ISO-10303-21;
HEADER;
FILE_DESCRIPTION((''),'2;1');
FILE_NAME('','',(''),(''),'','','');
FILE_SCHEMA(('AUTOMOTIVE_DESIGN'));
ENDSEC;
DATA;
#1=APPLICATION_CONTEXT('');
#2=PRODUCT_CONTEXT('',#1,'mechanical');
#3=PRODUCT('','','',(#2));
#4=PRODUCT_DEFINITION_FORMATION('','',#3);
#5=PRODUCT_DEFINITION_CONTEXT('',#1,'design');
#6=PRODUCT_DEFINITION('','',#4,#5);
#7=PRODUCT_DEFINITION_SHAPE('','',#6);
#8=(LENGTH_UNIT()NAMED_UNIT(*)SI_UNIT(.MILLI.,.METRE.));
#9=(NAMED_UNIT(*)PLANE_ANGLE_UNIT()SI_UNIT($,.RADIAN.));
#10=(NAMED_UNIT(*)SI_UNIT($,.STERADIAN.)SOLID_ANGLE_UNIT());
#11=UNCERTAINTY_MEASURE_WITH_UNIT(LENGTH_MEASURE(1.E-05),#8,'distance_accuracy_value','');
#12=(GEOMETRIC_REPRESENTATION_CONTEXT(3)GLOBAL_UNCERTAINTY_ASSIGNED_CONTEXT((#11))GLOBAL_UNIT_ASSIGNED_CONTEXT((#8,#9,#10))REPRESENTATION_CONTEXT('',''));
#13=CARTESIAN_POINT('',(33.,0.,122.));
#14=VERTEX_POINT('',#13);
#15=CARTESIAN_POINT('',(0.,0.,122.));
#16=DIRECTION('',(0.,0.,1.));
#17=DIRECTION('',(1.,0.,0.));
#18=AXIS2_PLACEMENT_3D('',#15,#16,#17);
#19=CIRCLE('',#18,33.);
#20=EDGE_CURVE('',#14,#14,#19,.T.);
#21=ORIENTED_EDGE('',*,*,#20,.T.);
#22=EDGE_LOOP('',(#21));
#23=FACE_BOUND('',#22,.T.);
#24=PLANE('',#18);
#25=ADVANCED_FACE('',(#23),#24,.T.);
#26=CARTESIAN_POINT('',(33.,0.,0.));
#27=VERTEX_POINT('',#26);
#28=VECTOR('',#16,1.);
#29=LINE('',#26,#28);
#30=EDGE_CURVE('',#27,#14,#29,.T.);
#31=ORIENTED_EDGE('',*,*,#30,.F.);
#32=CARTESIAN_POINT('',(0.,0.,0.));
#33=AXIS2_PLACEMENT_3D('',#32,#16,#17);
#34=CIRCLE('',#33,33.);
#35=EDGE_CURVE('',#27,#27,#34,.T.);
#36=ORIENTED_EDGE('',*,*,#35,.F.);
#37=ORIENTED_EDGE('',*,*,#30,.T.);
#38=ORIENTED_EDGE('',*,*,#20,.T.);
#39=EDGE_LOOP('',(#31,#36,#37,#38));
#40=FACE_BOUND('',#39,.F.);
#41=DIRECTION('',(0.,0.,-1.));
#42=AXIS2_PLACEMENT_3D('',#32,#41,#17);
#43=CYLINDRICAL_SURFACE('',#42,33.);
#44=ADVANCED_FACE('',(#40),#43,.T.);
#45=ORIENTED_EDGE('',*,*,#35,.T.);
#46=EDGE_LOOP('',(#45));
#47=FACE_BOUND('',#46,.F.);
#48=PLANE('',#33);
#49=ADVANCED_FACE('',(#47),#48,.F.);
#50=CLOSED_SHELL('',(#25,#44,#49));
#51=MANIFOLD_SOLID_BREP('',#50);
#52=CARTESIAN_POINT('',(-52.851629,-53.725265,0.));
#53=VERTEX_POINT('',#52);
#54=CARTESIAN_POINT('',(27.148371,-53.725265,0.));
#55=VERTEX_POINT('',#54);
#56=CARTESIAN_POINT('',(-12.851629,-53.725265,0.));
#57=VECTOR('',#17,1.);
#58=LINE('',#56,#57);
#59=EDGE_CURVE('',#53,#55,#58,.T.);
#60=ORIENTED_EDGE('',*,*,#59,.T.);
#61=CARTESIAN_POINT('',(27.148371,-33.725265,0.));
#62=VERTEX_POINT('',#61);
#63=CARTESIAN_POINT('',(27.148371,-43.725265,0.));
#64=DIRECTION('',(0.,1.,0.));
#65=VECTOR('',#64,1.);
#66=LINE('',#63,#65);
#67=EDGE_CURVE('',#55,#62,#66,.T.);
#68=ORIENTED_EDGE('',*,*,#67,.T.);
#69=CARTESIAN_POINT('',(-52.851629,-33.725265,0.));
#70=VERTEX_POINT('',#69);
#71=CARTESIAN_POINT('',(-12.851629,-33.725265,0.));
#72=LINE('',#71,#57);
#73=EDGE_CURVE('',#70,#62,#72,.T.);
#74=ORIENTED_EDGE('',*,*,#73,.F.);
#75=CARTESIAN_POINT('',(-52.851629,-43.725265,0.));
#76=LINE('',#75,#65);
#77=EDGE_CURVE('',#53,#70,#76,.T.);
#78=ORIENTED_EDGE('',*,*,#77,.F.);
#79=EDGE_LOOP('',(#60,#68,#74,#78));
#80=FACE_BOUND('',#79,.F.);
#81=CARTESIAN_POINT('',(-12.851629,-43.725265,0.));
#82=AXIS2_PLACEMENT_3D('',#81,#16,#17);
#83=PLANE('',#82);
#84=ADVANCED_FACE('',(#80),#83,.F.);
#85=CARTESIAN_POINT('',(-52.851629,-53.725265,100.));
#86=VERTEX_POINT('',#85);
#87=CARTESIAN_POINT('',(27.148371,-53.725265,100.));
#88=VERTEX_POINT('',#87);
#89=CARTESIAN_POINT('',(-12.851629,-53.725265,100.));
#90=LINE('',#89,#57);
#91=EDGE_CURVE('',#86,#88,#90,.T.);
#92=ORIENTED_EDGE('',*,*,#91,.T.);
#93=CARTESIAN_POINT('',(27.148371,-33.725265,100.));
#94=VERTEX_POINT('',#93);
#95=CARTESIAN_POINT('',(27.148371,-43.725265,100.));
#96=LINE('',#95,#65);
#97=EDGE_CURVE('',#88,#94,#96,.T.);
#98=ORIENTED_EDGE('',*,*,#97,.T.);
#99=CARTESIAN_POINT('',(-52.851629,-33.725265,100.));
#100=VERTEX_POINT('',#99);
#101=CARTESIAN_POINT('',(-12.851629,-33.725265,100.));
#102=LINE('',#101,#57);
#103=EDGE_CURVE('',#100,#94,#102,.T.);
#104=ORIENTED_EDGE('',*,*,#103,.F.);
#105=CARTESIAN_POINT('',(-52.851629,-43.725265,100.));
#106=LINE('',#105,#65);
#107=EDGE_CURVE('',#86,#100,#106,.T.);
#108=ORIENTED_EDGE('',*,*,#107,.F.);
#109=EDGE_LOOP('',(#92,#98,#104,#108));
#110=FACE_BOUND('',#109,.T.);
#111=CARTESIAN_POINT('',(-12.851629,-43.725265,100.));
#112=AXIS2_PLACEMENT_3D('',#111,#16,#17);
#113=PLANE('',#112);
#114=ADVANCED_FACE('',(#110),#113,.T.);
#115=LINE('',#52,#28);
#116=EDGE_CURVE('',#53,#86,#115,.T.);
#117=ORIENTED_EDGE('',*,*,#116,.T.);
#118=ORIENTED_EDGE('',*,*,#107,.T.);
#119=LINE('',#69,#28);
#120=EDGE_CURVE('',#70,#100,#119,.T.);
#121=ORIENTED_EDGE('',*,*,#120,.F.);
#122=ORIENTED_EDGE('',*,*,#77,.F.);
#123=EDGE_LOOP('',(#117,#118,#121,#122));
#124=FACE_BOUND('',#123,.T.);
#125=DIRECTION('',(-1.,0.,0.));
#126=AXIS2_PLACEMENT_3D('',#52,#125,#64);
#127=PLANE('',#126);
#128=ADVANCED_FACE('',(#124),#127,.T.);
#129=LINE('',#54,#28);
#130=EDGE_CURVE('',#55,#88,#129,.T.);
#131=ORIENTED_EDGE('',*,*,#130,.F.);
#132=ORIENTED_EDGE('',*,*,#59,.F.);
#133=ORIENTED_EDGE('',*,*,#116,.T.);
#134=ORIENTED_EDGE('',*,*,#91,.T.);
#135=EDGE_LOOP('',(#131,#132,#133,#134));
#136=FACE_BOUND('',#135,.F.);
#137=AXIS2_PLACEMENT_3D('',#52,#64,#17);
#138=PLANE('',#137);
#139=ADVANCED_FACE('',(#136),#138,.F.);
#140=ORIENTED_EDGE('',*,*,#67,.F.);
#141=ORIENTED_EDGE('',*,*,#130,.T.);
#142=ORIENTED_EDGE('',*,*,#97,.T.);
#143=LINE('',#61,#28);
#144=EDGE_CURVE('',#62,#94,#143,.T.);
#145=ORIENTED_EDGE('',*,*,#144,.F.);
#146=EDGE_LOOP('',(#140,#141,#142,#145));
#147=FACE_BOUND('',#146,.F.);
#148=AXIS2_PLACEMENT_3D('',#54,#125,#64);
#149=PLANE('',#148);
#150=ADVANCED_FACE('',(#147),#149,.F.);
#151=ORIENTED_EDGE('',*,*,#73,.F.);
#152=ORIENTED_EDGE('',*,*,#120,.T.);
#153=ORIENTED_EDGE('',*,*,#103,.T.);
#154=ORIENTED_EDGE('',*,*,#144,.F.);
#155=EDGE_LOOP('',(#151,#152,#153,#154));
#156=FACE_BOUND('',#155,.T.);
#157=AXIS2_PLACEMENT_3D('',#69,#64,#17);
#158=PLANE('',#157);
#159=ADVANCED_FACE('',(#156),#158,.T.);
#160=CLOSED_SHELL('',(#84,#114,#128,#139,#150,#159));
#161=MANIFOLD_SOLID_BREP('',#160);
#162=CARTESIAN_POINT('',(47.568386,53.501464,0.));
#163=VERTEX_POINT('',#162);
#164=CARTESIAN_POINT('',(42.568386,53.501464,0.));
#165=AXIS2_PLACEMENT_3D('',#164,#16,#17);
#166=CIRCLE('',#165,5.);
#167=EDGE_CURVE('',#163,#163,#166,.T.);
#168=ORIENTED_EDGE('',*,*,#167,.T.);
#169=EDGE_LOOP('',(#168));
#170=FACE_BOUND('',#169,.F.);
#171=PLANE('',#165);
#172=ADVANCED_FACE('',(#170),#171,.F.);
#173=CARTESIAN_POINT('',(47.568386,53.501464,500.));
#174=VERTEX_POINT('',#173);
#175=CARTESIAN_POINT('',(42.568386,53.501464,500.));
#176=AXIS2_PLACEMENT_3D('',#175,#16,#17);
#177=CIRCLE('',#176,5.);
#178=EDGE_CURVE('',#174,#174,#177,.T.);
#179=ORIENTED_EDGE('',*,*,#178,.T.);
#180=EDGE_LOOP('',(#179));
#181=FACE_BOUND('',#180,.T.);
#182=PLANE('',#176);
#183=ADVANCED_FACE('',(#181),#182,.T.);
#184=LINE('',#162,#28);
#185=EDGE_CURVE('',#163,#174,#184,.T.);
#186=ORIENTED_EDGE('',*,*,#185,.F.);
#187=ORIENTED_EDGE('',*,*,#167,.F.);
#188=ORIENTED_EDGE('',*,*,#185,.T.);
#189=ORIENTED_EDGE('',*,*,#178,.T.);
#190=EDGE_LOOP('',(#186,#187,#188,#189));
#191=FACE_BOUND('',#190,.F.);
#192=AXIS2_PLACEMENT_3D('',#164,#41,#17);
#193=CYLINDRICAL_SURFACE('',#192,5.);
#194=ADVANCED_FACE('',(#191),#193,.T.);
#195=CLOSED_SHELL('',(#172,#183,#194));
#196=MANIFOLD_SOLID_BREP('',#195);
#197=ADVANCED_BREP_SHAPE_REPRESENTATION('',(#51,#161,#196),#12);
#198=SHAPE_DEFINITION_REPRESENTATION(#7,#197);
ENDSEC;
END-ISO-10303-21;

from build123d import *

# Parameters (mm, degrees)
F0_R     = 33
F1_DEPTH = 122
F2_R     = 5
F3_DEPTH = 500
F4_W     = 80
F4_H     = 20
F5_DEPTH = 100


with BuildPart() as f1:
    # F0 (on Top) → F1 (new body)
    with BuildSketch(Plane.XY):
        Circle(F0_R)
    extrude(amount=F1_DEPTH)


with BuildPart() as f3:
    # F2 (on Top) → F3 (new body)
    with BuildSketch(Plane.XY):
        with Locations((42.568386, 53.501464)):
            Circle(F2_R)
    extrude(amount=F3_DEPTH)


with BuildPart() as f5:
    # F4 (on Top) → F5 (new body)
    with BuildSketch(Plane.XY):
        with Locations((-12.851629, -43.725265)):
            Rectangle(F4_W, F4_H)
    extrude(amount=F5_DEPTH)


solid = Compound([f1.part, f3.part, f5.part])
